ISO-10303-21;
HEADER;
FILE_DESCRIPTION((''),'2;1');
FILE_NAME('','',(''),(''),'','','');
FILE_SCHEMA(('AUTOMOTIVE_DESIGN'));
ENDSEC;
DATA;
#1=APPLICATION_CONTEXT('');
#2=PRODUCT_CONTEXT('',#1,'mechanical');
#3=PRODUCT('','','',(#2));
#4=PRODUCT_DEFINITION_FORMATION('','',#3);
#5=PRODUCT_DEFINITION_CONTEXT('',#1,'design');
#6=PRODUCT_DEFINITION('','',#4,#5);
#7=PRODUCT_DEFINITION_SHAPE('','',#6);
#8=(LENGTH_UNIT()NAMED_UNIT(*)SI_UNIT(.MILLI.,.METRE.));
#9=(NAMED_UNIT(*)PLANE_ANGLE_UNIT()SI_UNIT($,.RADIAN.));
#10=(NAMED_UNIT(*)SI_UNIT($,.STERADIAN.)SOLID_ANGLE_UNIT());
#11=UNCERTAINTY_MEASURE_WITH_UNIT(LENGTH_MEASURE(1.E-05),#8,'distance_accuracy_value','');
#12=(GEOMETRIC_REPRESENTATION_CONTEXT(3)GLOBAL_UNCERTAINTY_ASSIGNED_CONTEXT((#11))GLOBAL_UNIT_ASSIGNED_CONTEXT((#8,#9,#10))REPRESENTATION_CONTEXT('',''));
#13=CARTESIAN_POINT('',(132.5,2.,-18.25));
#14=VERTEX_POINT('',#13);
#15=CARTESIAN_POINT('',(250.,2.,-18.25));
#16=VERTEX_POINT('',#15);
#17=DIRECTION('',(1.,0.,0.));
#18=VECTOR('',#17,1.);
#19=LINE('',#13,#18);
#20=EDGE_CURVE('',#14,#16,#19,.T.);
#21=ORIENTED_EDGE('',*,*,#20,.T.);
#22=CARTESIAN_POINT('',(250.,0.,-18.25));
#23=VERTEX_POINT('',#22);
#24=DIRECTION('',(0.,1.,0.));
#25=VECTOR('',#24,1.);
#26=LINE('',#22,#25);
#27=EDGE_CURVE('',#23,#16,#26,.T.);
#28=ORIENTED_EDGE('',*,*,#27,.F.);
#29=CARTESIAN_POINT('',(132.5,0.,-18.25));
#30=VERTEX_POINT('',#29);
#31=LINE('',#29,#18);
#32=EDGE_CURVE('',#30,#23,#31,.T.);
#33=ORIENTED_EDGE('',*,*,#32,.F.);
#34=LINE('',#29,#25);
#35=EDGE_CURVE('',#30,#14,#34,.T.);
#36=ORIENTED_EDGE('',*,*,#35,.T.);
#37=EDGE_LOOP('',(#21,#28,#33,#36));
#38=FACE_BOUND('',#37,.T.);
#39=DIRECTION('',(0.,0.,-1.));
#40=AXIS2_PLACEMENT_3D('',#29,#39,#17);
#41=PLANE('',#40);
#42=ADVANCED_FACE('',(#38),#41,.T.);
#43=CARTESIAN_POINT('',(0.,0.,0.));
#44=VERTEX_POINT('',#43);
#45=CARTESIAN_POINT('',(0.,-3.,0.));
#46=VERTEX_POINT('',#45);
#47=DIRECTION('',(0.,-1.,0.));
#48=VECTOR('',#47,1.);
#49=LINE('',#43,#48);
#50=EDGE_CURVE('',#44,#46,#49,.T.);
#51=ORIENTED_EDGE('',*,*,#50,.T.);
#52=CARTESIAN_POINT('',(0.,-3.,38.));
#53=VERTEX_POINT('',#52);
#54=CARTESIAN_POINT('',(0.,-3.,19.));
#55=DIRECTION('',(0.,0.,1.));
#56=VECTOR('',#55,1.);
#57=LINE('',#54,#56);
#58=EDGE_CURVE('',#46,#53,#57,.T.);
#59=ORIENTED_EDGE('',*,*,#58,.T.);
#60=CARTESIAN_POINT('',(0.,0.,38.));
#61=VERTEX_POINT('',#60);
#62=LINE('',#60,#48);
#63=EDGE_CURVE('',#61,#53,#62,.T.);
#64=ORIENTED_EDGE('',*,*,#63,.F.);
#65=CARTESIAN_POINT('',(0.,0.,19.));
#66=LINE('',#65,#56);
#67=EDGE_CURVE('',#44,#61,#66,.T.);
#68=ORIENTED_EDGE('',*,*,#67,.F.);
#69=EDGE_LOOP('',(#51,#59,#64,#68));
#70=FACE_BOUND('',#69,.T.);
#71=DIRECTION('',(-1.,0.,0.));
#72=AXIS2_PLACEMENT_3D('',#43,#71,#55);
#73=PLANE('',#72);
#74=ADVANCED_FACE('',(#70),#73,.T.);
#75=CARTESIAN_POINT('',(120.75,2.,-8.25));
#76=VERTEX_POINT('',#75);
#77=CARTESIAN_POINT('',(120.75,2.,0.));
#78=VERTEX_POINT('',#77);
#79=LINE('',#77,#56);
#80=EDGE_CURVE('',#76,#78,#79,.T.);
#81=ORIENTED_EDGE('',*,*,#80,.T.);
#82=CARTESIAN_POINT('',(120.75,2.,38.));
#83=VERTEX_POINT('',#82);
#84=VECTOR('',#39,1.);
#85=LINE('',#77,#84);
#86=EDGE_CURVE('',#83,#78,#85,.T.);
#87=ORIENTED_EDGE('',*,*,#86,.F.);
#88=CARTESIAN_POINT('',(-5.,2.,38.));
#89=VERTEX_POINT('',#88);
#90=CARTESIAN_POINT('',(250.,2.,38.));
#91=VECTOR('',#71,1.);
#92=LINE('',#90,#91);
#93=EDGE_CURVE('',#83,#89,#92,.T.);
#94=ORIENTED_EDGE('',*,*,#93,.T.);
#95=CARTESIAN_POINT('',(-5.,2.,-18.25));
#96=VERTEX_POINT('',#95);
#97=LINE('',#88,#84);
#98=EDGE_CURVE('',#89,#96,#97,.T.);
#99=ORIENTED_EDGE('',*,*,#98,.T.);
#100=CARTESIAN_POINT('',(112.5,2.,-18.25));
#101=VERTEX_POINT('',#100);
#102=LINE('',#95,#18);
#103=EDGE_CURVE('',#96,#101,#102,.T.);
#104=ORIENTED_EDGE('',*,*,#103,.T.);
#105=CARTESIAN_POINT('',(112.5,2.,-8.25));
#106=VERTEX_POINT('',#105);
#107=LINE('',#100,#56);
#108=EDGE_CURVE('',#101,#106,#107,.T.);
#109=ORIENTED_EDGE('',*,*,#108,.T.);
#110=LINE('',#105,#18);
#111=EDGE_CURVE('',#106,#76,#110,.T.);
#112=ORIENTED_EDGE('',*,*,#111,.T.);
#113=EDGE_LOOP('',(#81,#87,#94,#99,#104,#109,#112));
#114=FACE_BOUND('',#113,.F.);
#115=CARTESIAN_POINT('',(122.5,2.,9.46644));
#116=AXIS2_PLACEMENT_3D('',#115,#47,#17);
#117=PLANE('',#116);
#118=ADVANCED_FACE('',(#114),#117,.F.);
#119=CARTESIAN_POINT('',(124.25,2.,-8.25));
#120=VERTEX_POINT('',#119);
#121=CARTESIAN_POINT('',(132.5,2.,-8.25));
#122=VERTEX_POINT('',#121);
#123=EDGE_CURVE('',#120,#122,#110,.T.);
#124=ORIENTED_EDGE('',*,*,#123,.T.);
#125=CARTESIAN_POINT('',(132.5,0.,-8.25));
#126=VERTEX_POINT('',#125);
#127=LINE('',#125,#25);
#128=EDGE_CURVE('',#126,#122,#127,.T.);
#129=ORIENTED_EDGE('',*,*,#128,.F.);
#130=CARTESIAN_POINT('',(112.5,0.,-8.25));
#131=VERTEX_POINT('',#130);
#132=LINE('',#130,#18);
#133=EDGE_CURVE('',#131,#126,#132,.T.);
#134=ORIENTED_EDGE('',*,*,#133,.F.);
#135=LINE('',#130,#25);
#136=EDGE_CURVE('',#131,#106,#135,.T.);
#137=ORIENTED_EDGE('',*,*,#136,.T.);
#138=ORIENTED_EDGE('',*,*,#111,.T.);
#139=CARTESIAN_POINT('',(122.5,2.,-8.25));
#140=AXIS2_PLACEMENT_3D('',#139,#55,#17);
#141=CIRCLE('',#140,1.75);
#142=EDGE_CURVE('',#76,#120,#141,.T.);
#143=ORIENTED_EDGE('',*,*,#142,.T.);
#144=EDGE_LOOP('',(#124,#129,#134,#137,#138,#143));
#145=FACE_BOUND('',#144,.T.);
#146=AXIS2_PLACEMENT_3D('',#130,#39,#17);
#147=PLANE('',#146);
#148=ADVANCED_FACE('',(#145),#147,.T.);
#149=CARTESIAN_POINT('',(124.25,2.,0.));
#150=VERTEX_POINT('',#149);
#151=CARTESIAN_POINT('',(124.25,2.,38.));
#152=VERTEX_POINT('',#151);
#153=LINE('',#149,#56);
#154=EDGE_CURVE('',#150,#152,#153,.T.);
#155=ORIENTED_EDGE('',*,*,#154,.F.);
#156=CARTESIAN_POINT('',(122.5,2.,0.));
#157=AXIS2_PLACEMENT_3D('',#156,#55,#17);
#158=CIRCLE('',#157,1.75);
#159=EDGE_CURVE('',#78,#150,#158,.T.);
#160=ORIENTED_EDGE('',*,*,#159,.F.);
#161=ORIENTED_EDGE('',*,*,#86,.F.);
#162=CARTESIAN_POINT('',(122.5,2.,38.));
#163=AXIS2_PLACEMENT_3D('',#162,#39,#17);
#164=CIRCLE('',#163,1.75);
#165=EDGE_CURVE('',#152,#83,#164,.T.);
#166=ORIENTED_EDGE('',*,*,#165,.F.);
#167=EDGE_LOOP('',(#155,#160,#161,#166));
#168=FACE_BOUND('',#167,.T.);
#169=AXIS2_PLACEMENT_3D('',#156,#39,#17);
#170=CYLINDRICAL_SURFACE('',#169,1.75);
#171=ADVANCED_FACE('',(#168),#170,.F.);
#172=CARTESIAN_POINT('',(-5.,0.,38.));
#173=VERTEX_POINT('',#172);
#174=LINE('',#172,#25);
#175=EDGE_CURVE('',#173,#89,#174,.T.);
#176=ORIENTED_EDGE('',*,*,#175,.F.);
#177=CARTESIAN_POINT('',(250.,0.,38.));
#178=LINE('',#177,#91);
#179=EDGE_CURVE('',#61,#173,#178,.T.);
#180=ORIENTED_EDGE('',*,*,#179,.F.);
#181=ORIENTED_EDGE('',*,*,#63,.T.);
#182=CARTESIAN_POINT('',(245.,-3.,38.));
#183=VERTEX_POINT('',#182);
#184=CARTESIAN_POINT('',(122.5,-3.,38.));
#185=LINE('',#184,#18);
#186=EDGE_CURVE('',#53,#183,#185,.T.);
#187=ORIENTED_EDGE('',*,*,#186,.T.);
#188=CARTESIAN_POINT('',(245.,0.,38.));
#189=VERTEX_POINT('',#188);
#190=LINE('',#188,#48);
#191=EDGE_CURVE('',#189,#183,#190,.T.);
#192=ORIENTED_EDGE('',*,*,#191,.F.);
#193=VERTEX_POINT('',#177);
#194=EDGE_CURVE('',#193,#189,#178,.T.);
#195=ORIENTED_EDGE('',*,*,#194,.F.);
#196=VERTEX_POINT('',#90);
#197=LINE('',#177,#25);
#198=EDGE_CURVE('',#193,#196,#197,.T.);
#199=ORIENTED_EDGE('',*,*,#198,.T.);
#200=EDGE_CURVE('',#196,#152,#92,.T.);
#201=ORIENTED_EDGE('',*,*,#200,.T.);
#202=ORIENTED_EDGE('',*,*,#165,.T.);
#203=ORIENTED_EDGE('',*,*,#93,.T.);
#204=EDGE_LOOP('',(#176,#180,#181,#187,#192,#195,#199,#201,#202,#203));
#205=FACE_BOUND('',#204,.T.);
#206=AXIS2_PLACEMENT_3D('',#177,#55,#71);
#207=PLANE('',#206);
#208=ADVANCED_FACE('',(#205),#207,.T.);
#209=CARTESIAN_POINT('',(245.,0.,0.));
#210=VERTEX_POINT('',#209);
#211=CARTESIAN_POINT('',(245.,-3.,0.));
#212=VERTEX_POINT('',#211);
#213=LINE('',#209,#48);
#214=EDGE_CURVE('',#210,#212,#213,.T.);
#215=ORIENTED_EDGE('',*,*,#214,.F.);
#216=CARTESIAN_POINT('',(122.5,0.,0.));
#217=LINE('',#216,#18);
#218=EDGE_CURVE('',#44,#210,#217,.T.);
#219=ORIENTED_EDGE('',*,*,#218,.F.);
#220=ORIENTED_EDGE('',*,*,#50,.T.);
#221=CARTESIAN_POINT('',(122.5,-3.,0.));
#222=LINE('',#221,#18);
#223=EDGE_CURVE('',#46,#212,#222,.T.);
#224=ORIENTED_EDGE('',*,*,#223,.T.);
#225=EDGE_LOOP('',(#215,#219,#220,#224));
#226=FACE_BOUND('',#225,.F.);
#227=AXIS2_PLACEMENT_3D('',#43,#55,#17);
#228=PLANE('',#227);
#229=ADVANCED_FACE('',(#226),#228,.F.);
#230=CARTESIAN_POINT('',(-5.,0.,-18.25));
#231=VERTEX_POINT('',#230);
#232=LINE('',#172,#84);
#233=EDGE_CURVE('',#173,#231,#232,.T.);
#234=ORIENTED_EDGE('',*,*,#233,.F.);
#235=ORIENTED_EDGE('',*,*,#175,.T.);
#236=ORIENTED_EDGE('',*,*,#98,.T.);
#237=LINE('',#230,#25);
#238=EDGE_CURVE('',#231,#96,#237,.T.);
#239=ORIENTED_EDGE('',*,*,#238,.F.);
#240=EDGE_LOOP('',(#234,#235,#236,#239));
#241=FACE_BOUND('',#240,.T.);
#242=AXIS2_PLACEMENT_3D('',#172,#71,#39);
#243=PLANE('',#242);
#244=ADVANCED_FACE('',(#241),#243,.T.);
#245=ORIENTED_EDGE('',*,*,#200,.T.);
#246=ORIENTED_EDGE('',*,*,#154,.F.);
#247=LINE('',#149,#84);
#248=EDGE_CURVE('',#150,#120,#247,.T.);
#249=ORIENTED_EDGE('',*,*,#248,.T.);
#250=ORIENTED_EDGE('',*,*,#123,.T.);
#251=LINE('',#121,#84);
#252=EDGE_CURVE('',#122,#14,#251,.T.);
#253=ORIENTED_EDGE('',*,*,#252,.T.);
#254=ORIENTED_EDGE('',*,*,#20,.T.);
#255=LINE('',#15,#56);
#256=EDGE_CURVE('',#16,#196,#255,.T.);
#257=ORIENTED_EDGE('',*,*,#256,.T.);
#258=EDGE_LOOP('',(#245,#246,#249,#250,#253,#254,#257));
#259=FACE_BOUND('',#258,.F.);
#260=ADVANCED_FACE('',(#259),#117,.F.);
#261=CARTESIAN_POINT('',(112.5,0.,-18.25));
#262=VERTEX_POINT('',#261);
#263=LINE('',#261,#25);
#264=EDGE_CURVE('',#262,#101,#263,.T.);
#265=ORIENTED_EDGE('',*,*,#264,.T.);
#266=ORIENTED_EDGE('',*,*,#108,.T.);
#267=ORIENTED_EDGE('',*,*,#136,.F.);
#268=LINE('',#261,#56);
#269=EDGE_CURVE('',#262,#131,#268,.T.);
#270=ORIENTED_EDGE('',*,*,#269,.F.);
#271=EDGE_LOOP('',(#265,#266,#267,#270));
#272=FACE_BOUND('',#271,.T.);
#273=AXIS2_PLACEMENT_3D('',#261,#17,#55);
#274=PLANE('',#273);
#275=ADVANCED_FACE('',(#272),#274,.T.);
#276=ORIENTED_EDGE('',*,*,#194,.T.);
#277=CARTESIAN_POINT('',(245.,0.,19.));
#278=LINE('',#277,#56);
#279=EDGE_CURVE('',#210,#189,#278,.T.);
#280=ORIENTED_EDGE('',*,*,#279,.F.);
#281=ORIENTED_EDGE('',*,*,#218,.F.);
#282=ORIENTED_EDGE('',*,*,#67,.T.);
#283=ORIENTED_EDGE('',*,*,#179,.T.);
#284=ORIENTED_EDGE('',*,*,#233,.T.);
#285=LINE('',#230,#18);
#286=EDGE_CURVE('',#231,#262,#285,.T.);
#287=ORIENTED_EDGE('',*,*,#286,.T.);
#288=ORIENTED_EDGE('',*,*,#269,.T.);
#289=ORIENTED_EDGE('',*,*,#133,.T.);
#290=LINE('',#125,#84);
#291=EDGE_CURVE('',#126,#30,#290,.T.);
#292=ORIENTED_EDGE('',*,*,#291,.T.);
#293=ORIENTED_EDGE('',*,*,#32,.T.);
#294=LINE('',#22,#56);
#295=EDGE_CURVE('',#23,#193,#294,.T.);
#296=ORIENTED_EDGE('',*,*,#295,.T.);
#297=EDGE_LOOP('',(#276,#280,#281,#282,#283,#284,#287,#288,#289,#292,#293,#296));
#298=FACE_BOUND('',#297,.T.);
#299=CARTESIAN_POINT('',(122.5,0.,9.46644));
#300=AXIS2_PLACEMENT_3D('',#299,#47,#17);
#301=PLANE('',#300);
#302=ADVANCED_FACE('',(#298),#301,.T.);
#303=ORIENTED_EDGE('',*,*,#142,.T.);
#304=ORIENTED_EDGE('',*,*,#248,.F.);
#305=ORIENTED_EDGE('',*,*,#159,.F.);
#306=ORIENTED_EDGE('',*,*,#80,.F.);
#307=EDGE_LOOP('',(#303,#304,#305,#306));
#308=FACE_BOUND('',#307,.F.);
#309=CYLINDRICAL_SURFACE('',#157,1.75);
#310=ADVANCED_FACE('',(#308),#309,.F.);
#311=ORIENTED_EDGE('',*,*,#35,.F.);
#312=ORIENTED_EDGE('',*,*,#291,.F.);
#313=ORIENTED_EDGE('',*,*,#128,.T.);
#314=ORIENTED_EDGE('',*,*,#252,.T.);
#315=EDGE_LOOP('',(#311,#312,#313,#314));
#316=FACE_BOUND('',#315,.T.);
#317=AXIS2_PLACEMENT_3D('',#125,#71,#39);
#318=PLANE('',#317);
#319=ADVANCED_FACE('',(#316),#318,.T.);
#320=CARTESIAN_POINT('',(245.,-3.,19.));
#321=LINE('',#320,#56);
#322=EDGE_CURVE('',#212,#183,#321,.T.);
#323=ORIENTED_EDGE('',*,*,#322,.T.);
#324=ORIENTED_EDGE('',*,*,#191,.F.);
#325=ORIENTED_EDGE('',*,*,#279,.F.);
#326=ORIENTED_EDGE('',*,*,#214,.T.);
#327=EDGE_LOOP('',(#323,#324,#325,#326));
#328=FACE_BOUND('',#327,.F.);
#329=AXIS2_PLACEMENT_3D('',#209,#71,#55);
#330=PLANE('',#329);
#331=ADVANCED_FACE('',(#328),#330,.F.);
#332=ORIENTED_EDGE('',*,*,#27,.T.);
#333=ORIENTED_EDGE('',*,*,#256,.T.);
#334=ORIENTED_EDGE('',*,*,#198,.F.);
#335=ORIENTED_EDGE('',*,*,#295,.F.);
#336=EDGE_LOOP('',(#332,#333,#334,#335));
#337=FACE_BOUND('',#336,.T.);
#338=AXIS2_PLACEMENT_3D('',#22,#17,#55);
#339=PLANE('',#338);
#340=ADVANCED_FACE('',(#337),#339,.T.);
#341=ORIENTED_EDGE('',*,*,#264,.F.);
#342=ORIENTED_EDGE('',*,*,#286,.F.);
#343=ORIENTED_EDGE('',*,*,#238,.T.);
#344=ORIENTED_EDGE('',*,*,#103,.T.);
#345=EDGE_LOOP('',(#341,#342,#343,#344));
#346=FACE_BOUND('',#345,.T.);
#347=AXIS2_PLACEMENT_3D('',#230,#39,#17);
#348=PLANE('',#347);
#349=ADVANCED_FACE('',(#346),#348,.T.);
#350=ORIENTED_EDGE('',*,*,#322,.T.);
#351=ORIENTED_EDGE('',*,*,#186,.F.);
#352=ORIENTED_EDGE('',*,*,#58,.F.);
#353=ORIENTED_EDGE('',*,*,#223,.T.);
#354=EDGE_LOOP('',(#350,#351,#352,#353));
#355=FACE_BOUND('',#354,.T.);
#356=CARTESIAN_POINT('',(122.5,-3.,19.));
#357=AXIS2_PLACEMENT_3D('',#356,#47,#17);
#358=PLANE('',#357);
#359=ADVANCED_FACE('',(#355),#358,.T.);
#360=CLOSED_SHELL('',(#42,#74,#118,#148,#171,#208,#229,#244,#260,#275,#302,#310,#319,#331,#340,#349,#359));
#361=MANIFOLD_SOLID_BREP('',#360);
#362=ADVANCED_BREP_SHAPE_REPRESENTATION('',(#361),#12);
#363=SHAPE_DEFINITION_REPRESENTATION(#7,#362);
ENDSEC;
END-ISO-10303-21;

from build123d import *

# Parameters (mm, degrees)
SKETCH074_W          = 245
SKETCH074_H          = 38
PAD035_DEPTH         = 3
PAD036_DEPTH         = 2
SKETCH087_R          = 1.75
POCKET037_DEPTH      = 18.251
POCKET037_DEPTH_BACK = 38.001


with BuildPart() as part:
    # Sketch074 → Pad035 (new body)
    with BuildSketch(Plane.XZ):
        with Locations((122.5, 19)):
            Rectangle(SKETCH074_W, SKETCH074_H)
    extrude(amount=PAD035_DEPTH)

    # Sketch075 → Pad036 (join)
    with BuildSketch(Plane.XZ):
        Polygon((-5, 38), (-5, -18.25), (112.5, -18.25), (112.5, -8.25), (132.5, -8.25), (132.5, -18.25), (250, -18.25), (250, 38), align=None)
    extrude(amount=-PAD036_DEPTH)

    # Sketch087 → Pocket037 (cut, two sides)
    with BuildSketch(Plane.XY) as pocket037_sk:
        with Locations((122.5, 2)):
            Circle(SKETCH087_R)
    extrude(amount=-POCKET037_DEPTH, mode=Mode.SUBTRACT)
    extrude(pocket037_sk.sketch, amount=POCKET037_DEPTH_BACK, mode=Mode.SUBTRACT)


solid = part.part
